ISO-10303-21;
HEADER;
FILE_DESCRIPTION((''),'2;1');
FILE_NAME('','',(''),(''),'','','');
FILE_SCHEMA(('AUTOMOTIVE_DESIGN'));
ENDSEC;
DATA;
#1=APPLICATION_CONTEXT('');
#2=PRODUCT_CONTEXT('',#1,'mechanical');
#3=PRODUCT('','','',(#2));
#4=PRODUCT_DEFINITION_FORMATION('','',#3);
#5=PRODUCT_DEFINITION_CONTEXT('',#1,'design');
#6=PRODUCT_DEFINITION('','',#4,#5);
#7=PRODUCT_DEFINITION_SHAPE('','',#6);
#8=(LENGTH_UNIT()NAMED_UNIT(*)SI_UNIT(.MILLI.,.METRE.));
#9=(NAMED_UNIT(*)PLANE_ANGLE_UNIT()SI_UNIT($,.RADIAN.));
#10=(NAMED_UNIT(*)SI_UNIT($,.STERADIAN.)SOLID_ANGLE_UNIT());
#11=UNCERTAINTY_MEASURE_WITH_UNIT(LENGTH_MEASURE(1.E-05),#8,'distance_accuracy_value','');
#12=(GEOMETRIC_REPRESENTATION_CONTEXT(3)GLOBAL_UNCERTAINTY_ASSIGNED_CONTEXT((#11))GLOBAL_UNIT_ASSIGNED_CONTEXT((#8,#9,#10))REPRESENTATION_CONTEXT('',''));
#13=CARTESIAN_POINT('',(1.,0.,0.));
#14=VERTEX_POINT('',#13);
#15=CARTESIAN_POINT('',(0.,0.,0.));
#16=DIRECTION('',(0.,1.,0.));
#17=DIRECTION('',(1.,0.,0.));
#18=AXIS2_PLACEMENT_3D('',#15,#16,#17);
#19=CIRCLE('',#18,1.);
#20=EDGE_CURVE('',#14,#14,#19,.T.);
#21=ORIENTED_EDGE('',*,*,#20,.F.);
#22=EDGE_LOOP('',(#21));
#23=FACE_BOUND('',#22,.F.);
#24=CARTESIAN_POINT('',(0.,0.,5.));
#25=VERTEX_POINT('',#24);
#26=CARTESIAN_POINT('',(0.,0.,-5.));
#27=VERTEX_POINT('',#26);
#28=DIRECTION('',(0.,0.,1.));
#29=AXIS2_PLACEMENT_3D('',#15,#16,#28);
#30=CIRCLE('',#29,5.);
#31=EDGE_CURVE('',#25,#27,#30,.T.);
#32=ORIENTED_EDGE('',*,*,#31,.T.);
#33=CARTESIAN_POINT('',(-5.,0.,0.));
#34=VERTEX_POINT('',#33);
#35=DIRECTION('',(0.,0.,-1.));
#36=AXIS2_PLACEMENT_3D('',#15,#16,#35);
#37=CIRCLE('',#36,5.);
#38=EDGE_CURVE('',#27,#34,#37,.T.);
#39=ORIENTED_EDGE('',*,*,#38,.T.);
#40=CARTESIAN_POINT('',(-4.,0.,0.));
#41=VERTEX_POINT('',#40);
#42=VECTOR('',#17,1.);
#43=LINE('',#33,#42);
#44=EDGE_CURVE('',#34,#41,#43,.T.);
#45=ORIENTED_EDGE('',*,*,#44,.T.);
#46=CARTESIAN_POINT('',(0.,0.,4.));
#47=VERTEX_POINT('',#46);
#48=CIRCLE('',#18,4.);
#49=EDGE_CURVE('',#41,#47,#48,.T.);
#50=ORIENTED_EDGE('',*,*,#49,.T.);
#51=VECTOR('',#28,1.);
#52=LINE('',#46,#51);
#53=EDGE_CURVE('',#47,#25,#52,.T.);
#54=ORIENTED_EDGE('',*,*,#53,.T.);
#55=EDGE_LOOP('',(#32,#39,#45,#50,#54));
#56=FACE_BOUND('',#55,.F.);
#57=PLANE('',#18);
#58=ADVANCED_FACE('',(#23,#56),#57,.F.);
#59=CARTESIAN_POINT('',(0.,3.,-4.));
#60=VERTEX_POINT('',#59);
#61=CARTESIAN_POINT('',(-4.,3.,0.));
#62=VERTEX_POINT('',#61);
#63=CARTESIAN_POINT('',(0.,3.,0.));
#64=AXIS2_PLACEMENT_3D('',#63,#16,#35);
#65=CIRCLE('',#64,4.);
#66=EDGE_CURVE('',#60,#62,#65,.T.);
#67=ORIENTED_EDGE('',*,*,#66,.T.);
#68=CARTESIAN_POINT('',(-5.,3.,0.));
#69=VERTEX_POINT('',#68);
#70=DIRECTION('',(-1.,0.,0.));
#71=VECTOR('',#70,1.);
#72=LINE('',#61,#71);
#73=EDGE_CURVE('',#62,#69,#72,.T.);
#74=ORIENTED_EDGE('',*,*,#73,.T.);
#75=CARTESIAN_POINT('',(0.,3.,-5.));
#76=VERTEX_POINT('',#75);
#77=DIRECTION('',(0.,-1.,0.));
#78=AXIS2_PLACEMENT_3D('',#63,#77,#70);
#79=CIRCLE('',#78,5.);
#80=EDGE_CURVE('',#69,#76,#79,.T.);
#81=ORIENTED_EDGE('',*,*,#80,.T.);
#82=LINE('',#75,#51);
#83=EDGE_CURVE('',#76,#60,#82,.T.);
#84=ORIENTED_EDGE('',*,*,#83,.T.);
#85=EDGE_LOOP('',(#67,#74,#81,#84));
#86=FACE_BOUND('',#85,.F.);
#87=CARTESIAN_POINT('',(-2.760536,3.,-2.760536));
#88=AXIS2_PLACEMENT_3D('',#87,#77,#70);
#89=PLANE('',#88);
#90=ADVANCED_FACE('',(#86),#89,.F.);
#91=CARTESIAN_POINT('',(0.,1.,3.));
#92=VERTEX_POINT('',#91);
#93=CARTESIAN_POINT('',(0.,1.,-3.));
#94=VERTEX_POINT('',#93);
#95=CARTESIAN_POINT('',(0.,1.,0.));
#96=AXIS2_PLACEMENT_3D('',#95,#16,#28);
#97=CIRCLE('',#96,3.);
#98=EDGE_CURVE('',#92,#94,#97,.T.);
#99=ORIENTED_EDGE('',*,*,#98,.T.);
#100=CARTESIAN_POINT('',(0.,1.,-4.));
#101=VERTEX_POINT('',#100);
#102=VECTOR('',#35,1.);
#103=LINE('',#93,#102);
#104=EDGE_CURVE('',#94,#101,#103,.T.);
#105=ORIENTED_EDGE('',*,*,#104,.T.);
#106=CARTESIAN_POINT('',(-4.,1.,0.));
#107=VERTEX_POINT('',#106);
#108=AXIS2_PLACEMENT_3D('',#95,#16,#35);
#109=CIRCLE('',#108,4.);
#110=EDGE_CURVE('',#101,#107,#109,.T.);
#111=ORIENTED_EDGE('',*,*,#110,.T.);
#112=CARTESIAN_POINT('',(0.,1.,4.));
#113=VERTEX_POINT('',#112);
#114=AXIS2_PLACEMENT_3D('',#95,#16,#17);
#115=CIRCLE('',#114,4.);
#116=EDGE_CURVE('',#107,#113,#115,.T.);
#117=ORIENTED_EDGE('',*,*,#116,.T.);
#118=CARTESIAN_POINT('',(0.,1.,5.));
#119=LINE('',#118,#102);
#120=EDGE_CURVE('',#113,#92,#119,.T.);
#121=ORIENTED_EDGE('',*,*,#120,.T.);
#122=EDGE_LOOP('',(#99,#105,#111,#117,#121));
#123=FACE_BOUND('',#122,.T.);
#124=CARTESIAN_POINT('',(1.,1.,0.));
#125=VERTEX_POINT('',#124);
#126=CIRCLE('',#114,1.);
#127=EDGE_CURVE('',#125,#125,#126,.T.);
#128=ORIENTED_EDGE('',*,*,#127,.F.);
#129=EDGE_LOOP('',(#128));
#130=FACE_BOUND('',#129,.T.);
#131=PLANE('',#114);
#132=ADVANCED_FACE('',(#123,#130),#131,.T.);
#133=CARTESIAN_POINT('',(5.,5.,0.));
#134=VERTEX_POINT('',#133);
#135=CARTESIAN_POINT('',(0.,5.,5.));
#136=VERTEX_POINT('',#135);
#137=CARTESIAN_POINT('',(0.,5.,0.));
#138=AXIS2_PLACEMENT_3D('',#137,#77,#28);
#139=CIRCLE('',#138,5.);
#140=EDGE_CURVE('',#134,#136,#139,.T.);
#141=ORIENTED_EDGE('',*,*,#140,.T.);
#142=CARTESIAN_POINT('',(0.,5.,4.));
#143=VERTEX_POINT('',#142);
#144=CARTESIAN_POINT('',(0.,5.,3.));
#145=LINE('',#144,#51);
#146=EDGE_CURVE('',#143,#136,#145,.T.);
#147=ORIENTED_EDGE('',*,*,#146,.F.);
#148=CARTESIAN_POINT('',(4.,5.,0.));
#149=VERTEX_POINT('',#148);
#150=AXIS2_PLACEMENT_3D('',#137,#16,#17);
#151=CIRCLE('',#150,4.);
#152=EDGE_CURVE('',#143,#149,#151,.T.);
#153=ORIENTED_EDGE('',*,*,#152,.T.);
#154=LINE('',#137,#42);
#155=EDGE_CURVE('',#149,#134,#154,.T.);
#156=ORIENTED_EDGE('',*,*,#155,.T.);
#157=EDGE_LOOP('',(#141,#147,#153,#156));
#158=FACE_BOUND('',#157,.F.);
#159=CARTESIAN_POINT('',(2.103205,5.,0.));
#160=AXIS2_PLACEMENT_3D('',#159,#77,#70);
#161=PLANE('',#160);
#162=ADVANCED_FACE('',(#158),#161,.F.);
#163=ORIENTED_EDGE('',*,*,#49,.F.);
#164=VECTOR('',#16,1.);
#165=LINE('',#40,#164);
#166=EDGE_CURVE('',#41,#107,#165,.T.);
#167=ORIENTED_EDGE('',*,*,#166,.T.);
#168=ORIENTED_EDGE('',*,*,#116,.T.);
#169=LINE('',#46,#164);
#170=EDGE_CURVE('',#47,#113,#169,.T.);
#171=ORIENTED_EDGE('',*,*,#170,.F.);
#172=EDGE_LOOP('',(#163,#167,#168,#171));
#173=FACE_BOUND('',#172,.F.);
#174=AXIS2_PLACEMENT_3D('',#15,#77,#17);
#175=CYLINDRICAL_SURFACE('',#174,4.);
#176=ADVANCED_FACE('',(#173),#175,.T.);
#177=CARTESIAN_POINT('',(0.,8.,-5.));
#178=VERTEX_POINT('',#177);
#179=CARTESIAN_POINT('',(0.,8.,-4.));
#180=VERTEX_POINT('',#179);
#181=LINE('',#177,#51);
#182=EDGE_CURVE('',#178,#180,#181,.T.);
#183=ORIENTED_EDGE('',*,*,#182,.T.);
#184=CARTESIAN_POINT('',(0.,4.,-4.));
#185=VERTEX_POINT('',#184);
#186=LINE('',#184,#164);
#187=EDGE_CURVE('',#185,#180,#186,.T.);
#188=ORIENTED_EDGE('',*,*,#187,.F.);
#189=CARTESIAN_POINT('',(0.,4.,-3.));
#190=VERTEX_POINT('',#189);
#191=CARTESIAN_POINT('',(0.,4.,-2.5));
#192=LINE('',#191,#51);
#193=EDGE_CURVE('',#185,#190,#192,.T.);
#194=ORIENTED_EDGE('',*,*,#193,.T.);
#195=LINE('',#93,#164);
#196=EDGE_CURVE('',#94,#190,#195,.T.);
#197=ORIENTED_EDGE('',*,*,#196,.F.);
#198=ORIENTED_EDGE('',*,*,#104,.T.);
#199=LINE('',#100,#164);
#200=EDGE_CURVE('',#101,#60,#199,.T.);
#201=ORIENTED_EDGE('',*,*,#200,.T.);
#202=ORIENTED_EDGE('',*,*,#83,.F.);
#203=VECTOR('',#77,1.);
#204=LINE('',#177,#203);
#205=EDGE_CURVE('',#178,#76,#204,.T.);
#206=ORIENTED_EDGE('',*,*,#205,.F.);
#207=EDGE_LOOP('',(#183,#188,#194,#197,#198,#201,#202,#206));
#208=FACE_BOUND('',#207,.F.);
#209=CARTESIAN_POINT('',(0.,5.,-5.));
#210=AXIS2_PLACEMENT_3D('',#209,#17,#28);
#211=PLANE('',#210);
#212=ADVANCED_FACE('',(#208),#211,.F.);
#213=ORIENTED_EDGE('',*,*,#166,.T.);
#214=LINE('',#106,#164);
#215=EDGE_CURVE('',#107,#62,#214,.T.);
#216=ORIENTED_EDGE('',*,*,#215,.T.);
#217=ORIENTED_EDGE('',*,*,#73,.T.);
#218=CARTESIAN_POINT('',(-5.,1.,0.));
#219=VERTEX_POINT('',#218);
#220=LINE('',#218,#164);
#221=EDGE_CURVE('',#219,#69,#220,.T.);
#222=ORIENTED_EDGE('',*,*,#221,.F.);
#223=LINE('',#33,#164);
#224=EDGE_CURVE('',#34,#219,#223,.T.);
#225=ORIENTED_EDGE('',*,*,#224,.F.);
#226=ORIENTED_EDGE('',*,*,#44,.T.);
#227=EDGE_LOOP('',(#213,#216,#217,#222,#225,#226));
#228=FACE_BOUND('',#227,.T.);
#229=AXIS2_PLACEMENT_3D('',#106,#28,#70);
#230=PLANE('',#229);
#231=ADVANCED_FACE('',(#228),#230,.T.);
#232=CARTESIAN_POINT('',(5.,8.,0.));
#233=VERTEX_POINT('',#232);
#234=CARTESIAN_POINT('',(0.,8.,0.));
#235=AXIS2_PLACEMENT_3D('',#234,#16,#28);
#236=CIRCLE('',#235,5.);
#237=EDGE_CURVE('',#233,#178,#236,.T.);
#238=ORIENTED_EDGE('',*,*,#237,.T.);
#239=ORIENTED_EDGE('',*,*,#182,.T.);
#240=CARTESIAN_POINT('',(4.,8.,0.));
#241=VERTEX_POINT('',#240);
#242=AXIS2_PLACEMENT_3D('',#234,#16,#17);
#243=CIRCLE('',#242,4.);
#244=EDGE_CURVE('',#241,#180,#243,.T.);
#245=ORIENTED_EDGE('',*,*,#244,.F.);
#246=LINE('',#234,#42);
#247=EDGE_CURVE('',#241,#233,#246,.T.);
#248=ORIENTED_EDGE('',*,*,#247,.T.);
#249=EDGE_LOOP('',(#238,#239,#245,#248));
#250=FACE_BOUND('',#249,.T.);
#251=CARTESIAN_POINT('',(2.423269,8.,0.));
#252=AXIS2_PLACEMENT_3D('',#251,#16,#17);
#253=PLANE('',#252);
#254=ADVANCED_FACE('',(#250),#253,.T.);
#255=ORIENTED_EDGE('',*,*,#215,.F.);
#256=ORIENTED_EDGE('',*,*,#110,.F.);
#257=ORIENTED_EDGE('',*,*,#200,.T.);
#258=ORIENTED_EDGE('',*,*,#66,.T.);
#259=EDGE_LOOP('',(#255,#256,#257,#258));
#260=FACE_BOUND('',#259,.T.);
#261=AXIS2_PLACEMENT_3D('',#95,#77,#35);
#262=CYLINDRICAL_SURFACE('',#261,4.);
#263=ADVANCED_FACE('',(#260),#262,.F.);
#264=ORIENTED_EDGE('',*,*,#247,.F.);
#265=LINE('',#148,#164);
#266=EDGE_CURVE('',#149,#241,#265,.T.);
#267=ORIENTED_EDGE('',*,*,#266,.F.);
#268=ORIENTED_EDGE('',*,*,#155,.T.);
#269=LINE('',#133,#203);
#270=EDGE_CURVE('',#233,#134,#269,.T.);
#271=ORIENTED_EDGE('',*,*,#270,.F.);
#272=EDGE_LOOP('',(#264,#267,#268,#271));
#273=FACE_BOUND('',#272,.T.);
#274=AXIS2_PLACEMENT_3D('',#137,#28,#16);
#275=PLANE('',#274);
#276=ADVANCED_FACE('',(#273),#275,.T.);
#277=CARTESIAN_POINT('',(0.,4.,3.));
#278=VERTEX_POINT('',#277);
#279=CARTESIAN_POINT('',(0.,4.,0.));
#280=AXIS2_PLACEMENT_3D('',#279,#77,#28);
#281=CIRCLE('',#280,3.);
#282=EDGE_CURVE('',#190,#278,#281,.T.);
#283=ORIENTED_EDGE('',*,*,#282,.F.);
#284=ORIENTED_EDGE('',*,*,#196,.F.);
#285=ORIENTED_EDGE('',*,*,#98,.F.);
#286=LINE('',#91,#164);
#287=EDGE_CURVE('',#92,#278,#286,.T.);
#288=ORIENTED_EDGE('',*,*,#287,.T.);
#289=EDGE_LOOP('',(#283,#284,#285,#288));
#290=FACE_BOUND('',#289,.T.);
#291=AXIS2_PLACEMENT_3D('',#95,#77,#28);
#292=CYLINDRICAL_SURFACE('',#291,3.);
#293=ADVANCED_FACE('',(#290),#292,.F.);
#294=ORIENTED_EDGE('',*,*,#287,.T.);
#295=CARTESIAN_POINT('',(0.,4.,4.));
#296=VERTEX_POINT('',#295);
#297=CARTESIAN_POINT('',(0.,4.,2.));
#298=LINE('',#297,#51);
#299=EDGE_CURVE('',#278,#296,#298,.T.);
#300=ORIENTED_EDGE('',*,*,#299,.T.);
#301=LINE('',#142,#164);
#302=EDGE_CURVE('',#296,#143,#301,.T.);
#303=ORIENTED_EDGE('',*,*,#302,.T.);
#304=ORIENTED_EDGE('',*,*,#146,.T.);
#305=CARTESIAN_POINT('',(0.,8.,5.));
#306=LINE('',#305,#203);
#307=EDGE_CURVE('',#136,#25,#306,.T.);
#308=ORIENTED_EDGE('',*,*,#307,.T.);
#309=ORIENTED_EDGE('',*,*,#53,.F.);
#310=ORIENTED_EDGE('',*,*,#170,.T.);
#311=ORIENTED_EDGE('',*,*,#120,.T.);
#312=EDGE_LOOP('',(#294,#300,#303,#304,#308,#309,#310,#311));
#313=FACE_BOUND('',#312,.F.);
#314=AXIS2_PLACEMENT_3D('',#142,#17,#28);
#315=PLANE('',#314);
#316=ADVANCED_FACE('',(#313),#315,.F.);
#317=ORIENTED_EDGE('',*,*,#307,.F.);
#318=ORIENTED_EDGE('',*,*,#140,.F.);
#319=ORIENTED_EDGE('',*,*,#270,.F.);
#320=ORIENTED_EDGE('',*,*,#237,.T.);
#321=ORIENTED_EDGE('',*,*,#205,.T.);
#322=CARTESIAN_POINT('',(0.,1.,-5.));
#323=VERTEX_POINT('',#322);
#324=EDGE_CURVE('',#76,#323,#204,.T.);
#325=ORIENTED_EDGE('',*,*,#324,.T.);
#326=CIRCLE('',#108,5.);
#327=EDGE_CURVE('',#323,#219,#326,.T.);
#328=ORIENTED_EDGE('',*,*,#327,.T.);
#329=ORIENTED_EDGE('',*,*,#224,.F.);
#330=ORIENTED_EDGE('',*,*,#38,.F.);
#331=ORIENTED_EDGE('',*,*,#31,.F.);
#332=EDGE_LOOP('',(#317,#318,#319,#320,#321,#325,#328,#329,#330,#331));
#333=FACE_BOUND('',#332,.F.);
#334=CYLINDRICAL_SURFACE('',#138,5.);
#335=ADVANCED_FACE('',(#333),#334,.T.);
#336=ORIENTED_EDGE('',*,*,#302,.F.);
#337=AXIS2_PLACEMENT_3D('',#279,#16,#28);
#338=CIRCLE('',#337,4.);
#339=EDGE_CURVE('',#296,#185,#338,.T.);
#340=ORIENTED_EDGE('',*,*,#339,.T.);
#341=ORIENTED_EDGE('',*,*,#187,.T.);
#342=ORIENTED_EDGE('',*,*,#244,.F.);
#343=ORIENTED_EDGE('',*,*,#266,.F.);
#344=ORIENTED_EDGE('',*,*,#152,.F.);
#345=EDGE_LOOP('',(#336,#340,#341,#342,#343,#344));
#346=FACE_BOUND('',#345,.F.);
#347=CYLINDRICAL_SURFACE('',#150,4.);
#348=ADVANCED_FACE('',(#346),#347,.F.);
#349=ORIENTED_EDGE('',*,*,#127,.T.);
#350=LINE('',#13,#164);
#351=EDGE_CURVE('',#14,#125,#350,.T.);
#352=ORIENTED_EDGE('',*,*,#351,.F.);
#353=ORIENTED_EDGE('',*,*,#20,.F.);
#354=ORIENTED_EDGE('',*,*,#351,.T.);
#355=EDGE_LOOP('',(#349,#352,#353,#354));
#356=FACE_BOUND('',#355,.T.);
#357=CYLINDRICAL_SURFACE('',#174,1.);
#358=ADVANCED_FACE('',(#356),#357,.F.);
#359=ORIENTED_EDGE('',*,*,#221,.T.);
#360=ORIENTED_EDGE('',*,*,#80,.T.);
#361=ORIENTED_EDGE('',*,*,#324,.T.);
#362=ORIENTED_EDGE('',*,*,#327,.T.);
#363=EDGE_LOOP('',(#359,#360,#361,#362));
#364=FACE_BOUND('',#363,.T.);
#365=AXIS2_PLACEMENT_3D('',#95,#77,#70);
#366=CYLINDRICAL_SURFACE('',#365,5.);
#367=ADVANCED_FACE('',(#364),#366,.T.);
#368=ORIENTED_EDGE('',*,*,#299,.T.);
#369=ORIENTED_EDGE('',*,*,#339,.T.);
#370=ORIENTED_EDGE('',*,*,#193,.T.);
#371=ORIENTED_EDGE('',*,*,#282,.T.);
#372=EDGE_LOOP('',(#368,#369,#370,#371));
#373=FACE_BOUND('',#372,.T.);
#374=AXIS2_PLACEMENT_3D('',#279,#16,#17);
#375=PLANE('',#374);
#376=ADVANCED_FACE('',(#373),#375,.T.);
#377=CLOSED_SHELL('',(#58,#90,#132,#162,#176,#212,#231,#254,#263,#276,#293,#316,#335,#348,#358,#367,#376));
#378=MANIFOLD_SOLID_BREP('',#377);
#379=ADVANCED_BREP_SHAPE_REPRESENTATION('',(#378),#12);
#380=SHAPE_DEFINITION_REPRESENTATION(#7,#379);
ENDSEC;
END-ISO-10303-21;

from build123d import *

# Parameters (mm, degrees)
SKETCH1_R               = 1
BOSS_EXTRUDE1_DEPTH     = 1
BOSS_EXTRUDE2_DEPTH     = 4
BOSS_EXTRUDE3_DEPTH     = 3
SKETCH6_W               = 5
SKETCH6_H               = 3
CUT_EXTRUDE1_DEPTH      = 6
CUT_EXTRUDE2_DEPTH      = 3
CUT_EXTRUDE2_DEPTH_BACK = 1
SKETCH7_R               = 4
BOSS_EXTRUDE4_DEPTH     = 2


with BuildPart() as part:
    # Sketch1 → Boss-Extrude1 (new body)
    with BuildSketch(Plane(origin=(0, 0, 0), x_dir=(1, 0, 0), z_dir=(0, 1, 0))):
        with BuildLine():
            ThreePointArc((0, -5), (3.535533906, 3.535533906), (-5, 0))
            Line((-5, 0), (-4, 0))
            ThreePointArc((-4, 0), (-2.828427125, -2.828427125), (0, -4))
            Line((0, -4), (0, -5))
        make_face()
        Circle(SKETCH1_R, mode=Mode.SUBTRACT)
    extrude(amount=BOSS_EXTRUDE1_DEPTH)

    # Sketch2 → Boss-Extrude2 (add)
    with BuildSketch(Plane(origin=(0, 1, 0), x_dir=(1, 0, 0), z_dir=(0, 1, 0))):
        with BuildLine():
            Line((0, 3), (0, 5))
            ThreePointArc((0, 5), (5, 0), (0, -5))
            Line((0, -5), (0, -3))
            ThreePointArc((0, -3), (3, 0), (0, 3))
        make_face()
    extrude(amount=BOSS_EXTRUDE2_DEPTH)

    # Sketch4 → Boss-Extrude3 (add)
    with BuildSketch(Plane(origin=(0, 5, 0), x_dir=(1, 0, 0), z_dir=(0, 1, 0))):
        with BuildLine():
            Line((0, 5), (0, 4))
            ThreePointArc((0, 4), (3.883896034, 0), (0, -4))
            Line((0, -4), (0, -5))
            ThreePointArc((0, -5), (5, 0), (0, 5))
        make_face()
    extrude(amount=BOSS_EXTRUDE3_DEPTH)

    # Sketch6 → Cut-Extrude1 (cut)
    with BuildSketch(Plane.ZY):
        with Locations((2.5, 6.5)):
            Rectangle(SKETCH6_W, SKETCH6_H)
    extrude(amount=-CUT_EXTRUDE1_DEPTH, mode=Mode.SUBTRACT)

    # Sketch7 → Cut-Extrude2 (cut, two sides: drawn at the far end of the back side and taken through both)
    with BuildSketch(Plane(origin=(0, 5, 0), x_dir=(1, 0, 0), z_dir=(0, 1, 0)).offset(-CUT_EXTRUDE2_DEPTH_BACK)):
        Circle(SKETCH7_R)
    extrude(amount=CUT_EXTRUDE2_DEPTH + CUT_EXTRUDE2_DEPTH_BACK, mode=Mode.SUBTRACT)

    # Sketch8 → Boss-Extrude4 (add)
    with BuildSketch(Plane(origin=(0, 1, 0), x_dir=(1, 0, 0), z_dir=(0, 1, 0))):
        with BuildLine():
            Line((0, 5), (0, 4))
            ThreePointArc((0, 4), (-2.828427125, 2.828427125), (-4, 0))
            Line((-4, 0), (-5, 0))
            ThreePointArc((-5, 0), (-3.535533906, 3.535533906), (0, 5))
        make_face()
    extrude(amount=BOSS_EXTRUDE4_DEPTH)


solid = part.part
